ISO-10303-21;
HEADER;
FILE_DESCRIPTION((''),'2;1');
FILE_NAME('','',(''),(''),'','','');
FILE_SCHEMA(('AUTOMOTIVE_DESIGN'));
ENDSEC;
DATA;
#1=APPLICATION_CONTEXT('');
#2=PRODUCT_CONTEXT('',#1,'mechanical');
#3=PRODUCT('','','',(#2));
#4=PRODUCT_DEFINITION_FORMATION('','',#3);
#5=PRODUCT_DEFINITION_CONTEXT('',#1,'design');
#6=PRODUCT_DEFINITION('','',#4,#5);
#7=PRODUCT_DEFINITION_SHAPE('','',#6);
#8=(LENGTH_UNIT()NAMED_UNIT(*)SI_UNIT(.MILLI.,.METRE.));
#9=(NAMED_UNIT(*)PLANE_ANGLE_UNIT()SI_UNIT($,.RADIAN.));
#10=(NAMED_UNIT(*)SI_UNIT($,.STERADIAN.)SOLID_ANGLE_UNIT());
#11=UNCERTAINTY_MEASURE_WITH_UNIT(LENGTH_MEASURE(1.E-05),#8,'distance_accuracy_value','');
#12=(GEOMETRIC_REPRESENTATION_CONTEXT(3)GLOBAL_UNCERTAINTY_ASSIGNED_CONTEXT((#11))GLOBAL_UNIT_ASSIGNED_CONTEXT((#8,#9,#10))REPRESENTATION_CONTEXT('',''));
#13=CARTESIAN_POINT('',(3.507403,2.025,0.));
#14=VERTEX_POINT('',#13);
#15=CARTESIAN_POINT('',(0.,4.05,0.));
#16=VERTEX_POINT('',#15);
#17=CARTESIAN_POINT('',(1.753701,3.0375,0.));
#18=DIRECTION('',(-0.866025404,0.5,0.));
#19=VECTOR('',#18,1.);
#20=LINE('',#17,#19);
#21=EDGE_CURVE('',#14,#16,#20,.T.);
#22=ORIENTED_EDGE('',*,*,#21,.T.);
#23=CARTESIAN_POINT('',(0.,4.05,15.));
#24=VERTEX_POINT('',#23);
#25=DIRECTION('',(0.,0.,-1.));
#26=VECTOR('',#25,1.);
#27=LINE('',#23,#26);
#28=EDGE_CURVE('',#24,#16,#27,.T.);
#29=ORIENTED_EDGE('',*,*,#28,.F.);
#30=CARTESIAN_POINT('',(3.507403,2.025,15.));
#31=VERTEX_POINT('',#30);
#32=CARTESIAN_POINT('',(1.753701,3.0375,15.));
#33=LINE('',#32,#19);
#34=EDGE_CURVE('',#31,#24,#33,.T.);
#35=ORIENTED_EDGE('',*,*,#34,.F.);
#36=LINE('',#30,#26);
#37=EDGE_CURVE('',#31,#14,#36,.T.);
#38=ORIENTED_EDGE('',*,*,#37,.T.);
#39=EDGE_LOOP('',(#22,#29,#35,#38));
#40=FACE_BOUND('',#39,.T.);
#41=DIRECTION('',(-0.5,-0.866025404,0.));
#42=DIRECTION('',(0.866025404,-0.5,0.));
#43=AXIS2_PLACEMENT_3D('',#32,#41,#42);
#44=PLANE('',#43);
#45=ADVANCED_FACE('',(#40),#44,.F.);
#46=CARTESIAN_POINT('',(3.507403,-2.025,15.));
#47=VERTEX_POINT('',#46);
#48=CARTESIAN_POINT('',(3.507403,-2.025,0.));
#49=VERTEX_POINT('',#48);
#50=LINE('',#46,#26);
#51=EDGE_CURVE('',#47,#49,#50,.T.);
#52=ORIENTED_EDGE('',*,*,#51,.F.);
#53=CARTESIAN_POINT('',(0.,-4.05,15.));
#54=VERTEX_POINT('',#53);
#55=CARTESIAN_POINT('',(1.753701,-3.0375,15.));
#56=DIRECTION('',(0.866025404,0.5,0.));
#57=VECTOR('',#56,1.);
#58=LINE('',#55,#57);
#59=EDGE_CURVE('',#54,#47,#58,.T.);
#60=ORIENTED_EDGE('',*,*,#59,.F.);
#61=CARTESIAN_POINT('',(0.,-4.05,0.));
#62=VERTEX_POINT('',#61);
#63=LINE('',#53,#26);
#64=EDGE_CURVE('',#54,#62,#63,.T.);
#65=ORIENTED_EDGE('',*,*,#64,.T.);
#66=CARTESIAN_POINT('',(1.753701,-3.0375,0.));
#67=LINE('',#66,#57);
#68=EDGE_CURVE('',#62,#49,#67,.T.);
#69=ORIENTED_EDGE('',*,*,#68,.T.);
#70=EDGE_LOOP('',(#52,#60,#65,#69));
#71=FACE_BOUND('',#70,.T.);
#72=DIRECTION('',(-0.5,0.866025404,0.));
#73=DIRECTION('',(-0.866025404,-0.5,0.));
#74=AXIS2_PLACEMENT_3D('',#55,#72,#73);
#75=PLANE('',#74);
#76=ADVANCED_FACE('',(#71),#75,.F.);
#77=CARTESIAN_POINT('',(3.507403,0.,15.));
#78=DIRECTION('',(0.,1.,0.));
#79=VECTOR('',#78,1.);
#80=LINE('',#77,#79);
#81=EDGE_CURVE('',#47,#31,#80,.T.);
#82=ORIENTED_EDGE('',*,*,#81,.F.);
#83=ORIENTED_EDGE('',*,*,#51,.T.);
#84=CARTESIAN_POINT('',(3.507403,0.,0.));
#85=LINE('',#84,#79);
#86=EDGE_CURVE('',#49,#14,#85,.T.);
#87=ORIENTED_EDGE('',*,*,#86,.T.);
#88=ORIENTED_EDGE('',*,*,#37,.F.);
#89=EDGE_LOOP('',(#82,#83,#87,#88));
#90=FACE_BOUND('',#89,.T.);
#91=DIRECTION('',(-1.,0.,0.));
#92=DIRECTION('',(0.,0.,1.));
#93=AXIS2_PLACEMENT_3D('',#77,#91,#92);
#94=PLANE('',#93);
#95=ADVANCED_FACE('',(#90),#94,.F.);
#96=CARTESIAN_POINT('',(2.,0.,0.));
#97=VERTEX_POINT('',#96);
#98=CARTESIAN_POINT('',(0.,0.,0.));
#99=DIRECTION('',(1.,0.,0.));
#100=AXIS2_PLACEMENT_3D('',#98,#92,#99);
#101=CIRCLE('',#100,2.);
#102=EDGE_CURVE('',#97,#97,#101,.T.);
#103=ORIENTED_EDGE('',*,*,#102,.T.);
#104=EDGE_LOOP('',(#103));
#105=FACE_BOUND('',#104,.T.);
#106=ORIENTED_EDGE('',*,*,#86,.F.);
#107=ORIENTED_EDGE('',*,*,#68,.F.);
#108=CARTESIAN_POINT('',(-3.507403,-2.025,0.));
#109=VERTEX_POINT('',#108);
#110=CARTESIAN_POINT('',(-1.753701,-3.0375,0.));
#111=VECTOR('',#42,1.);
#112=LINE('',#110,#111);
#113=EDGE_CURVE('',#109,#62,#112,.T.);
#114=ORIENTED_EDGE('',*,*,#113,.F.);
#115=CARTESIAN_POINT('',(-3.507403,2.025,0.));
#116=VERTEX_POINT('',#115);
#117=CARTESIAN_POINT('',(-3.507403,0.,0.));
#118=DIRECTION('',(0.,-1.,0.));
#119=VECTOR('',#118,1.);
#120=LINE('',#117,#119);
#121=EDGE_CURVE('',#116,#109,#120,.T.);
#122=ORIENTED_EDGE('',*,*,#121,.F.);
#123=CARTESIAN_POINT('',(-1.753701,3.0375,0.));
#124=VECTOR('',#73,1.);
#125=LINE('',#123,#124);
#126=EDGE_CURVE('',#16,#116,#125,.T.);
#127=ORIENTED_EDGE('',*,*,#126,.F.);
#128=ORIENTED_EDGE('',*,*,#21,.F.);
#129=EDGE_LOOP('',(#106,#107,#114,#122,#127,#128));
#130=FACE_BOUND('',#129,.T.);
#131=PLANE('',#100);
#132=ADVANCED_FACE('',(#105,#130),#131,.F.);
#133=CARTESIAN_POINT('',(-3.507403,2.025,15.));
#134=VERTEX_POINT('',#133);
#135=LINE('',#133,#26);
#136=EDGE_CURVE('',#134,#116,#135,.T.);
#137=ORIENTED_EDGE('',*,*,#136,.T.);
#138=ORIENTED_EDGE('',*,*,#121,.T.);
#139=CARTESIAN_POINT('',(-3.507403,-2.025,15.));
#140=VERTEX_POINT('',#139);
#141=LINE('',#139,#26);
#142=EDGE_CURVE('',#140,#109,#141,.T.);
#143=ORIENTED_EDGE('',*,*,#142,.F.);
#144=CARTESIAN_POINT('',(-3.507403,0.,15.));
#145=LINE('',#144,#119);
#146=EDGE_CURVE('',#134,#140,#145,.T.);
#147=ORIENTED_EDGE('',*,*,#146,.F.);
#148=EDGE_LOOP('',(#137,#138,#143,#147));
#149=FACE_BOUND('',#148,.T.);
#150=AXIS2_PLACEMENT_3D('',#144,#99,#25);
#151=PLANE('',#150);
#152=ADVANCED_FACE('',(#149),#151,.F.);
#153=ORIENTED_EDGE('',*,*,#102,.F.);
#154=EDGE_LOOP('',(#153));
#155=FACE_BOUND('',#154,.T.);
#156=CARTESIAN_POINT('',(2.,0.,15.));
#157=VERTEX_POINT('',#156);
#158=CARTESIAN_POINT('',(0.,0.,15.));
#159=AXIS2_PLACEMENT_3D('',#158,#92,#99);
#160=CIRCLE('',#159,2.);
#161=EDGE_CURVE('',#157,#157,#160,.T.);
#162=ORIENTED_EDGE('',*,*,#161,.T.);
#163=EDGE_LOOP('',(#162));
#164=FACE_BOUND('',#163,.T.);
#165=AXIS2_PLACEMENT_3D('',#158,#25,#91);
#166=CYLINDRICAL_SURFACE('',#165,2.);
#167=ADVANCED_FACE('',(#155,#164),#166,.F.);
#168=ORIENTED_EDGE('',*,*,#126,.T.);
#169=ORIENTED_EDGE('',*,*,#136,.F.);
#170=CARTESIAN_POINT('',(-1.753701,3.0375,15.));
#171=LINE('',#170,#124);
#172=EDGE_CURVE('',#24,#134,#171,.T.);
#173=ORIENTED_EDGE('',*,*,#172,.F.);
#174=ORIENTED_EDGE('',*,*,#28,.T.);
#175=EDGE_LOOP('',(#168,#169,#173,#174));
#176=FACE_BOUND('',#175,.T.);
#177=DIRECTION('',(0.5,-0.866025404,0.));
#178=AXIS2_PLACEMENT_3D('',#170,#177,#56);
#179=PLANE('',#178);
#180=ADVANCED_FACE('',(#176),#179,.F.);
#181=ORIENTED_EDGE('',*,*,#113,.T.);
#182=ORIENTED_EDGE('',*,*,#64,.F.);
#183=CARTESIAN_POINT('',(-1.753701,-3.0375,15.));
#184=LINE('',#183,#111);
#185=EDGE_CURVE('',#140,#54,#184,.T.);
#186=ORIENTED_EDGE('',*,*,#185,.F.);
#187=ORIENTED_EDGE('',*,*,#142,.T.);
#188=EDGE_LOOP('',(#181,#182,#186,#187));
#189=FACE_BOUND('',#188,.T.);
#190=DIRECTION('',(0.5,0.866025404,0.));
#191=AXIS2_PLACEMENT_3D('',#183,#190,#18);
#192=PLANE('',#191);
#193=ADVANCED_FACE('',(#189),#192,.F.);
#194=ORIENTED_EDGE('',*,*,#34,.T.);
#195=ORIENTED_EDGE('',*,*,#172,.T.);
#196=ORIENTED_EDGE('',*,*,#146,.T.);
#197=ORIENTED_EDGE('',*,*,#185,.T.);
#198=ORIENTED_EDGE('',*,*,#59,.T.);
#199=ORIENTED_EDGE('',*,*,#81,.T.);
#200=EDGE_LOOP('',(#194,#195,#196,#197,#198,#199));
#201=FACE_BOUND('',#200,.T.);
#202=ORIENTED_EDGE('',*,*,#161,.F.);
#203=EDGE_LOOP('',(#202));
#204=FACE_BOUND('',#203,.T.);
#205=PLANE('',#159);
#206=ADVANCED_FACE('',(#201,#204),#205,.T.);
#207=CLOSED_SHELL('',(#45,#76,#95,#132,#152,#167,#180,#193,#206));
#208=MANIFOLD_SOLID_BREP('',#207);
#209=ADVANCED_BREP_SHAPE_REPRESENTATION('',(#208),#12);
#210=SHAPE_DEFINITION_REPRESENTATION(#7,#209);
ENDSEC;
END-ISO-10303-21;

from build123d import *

# Parameters (mm, degrees)
SKETCH_1_R      = 2
EXTRUDE_1_DEPTH = 15


with BuildPart() as part:
    # 草图1 → 凸台-拉伸1 (new body)
    with BuildSketch(Plane.XY):
        Polygon((0, 4.05), (-3.507402885, 2.025), (-3.507402885, -2.025), (0, -4.05), (3.507402885, -2.025), (3.507402885, 2.025), align=None)
        Circle(SKETCH_1_R, mode=Mode.SUBTRACT)
    extrude(amount=EXTRUDE_1_DEPTH)


solid = part.part
